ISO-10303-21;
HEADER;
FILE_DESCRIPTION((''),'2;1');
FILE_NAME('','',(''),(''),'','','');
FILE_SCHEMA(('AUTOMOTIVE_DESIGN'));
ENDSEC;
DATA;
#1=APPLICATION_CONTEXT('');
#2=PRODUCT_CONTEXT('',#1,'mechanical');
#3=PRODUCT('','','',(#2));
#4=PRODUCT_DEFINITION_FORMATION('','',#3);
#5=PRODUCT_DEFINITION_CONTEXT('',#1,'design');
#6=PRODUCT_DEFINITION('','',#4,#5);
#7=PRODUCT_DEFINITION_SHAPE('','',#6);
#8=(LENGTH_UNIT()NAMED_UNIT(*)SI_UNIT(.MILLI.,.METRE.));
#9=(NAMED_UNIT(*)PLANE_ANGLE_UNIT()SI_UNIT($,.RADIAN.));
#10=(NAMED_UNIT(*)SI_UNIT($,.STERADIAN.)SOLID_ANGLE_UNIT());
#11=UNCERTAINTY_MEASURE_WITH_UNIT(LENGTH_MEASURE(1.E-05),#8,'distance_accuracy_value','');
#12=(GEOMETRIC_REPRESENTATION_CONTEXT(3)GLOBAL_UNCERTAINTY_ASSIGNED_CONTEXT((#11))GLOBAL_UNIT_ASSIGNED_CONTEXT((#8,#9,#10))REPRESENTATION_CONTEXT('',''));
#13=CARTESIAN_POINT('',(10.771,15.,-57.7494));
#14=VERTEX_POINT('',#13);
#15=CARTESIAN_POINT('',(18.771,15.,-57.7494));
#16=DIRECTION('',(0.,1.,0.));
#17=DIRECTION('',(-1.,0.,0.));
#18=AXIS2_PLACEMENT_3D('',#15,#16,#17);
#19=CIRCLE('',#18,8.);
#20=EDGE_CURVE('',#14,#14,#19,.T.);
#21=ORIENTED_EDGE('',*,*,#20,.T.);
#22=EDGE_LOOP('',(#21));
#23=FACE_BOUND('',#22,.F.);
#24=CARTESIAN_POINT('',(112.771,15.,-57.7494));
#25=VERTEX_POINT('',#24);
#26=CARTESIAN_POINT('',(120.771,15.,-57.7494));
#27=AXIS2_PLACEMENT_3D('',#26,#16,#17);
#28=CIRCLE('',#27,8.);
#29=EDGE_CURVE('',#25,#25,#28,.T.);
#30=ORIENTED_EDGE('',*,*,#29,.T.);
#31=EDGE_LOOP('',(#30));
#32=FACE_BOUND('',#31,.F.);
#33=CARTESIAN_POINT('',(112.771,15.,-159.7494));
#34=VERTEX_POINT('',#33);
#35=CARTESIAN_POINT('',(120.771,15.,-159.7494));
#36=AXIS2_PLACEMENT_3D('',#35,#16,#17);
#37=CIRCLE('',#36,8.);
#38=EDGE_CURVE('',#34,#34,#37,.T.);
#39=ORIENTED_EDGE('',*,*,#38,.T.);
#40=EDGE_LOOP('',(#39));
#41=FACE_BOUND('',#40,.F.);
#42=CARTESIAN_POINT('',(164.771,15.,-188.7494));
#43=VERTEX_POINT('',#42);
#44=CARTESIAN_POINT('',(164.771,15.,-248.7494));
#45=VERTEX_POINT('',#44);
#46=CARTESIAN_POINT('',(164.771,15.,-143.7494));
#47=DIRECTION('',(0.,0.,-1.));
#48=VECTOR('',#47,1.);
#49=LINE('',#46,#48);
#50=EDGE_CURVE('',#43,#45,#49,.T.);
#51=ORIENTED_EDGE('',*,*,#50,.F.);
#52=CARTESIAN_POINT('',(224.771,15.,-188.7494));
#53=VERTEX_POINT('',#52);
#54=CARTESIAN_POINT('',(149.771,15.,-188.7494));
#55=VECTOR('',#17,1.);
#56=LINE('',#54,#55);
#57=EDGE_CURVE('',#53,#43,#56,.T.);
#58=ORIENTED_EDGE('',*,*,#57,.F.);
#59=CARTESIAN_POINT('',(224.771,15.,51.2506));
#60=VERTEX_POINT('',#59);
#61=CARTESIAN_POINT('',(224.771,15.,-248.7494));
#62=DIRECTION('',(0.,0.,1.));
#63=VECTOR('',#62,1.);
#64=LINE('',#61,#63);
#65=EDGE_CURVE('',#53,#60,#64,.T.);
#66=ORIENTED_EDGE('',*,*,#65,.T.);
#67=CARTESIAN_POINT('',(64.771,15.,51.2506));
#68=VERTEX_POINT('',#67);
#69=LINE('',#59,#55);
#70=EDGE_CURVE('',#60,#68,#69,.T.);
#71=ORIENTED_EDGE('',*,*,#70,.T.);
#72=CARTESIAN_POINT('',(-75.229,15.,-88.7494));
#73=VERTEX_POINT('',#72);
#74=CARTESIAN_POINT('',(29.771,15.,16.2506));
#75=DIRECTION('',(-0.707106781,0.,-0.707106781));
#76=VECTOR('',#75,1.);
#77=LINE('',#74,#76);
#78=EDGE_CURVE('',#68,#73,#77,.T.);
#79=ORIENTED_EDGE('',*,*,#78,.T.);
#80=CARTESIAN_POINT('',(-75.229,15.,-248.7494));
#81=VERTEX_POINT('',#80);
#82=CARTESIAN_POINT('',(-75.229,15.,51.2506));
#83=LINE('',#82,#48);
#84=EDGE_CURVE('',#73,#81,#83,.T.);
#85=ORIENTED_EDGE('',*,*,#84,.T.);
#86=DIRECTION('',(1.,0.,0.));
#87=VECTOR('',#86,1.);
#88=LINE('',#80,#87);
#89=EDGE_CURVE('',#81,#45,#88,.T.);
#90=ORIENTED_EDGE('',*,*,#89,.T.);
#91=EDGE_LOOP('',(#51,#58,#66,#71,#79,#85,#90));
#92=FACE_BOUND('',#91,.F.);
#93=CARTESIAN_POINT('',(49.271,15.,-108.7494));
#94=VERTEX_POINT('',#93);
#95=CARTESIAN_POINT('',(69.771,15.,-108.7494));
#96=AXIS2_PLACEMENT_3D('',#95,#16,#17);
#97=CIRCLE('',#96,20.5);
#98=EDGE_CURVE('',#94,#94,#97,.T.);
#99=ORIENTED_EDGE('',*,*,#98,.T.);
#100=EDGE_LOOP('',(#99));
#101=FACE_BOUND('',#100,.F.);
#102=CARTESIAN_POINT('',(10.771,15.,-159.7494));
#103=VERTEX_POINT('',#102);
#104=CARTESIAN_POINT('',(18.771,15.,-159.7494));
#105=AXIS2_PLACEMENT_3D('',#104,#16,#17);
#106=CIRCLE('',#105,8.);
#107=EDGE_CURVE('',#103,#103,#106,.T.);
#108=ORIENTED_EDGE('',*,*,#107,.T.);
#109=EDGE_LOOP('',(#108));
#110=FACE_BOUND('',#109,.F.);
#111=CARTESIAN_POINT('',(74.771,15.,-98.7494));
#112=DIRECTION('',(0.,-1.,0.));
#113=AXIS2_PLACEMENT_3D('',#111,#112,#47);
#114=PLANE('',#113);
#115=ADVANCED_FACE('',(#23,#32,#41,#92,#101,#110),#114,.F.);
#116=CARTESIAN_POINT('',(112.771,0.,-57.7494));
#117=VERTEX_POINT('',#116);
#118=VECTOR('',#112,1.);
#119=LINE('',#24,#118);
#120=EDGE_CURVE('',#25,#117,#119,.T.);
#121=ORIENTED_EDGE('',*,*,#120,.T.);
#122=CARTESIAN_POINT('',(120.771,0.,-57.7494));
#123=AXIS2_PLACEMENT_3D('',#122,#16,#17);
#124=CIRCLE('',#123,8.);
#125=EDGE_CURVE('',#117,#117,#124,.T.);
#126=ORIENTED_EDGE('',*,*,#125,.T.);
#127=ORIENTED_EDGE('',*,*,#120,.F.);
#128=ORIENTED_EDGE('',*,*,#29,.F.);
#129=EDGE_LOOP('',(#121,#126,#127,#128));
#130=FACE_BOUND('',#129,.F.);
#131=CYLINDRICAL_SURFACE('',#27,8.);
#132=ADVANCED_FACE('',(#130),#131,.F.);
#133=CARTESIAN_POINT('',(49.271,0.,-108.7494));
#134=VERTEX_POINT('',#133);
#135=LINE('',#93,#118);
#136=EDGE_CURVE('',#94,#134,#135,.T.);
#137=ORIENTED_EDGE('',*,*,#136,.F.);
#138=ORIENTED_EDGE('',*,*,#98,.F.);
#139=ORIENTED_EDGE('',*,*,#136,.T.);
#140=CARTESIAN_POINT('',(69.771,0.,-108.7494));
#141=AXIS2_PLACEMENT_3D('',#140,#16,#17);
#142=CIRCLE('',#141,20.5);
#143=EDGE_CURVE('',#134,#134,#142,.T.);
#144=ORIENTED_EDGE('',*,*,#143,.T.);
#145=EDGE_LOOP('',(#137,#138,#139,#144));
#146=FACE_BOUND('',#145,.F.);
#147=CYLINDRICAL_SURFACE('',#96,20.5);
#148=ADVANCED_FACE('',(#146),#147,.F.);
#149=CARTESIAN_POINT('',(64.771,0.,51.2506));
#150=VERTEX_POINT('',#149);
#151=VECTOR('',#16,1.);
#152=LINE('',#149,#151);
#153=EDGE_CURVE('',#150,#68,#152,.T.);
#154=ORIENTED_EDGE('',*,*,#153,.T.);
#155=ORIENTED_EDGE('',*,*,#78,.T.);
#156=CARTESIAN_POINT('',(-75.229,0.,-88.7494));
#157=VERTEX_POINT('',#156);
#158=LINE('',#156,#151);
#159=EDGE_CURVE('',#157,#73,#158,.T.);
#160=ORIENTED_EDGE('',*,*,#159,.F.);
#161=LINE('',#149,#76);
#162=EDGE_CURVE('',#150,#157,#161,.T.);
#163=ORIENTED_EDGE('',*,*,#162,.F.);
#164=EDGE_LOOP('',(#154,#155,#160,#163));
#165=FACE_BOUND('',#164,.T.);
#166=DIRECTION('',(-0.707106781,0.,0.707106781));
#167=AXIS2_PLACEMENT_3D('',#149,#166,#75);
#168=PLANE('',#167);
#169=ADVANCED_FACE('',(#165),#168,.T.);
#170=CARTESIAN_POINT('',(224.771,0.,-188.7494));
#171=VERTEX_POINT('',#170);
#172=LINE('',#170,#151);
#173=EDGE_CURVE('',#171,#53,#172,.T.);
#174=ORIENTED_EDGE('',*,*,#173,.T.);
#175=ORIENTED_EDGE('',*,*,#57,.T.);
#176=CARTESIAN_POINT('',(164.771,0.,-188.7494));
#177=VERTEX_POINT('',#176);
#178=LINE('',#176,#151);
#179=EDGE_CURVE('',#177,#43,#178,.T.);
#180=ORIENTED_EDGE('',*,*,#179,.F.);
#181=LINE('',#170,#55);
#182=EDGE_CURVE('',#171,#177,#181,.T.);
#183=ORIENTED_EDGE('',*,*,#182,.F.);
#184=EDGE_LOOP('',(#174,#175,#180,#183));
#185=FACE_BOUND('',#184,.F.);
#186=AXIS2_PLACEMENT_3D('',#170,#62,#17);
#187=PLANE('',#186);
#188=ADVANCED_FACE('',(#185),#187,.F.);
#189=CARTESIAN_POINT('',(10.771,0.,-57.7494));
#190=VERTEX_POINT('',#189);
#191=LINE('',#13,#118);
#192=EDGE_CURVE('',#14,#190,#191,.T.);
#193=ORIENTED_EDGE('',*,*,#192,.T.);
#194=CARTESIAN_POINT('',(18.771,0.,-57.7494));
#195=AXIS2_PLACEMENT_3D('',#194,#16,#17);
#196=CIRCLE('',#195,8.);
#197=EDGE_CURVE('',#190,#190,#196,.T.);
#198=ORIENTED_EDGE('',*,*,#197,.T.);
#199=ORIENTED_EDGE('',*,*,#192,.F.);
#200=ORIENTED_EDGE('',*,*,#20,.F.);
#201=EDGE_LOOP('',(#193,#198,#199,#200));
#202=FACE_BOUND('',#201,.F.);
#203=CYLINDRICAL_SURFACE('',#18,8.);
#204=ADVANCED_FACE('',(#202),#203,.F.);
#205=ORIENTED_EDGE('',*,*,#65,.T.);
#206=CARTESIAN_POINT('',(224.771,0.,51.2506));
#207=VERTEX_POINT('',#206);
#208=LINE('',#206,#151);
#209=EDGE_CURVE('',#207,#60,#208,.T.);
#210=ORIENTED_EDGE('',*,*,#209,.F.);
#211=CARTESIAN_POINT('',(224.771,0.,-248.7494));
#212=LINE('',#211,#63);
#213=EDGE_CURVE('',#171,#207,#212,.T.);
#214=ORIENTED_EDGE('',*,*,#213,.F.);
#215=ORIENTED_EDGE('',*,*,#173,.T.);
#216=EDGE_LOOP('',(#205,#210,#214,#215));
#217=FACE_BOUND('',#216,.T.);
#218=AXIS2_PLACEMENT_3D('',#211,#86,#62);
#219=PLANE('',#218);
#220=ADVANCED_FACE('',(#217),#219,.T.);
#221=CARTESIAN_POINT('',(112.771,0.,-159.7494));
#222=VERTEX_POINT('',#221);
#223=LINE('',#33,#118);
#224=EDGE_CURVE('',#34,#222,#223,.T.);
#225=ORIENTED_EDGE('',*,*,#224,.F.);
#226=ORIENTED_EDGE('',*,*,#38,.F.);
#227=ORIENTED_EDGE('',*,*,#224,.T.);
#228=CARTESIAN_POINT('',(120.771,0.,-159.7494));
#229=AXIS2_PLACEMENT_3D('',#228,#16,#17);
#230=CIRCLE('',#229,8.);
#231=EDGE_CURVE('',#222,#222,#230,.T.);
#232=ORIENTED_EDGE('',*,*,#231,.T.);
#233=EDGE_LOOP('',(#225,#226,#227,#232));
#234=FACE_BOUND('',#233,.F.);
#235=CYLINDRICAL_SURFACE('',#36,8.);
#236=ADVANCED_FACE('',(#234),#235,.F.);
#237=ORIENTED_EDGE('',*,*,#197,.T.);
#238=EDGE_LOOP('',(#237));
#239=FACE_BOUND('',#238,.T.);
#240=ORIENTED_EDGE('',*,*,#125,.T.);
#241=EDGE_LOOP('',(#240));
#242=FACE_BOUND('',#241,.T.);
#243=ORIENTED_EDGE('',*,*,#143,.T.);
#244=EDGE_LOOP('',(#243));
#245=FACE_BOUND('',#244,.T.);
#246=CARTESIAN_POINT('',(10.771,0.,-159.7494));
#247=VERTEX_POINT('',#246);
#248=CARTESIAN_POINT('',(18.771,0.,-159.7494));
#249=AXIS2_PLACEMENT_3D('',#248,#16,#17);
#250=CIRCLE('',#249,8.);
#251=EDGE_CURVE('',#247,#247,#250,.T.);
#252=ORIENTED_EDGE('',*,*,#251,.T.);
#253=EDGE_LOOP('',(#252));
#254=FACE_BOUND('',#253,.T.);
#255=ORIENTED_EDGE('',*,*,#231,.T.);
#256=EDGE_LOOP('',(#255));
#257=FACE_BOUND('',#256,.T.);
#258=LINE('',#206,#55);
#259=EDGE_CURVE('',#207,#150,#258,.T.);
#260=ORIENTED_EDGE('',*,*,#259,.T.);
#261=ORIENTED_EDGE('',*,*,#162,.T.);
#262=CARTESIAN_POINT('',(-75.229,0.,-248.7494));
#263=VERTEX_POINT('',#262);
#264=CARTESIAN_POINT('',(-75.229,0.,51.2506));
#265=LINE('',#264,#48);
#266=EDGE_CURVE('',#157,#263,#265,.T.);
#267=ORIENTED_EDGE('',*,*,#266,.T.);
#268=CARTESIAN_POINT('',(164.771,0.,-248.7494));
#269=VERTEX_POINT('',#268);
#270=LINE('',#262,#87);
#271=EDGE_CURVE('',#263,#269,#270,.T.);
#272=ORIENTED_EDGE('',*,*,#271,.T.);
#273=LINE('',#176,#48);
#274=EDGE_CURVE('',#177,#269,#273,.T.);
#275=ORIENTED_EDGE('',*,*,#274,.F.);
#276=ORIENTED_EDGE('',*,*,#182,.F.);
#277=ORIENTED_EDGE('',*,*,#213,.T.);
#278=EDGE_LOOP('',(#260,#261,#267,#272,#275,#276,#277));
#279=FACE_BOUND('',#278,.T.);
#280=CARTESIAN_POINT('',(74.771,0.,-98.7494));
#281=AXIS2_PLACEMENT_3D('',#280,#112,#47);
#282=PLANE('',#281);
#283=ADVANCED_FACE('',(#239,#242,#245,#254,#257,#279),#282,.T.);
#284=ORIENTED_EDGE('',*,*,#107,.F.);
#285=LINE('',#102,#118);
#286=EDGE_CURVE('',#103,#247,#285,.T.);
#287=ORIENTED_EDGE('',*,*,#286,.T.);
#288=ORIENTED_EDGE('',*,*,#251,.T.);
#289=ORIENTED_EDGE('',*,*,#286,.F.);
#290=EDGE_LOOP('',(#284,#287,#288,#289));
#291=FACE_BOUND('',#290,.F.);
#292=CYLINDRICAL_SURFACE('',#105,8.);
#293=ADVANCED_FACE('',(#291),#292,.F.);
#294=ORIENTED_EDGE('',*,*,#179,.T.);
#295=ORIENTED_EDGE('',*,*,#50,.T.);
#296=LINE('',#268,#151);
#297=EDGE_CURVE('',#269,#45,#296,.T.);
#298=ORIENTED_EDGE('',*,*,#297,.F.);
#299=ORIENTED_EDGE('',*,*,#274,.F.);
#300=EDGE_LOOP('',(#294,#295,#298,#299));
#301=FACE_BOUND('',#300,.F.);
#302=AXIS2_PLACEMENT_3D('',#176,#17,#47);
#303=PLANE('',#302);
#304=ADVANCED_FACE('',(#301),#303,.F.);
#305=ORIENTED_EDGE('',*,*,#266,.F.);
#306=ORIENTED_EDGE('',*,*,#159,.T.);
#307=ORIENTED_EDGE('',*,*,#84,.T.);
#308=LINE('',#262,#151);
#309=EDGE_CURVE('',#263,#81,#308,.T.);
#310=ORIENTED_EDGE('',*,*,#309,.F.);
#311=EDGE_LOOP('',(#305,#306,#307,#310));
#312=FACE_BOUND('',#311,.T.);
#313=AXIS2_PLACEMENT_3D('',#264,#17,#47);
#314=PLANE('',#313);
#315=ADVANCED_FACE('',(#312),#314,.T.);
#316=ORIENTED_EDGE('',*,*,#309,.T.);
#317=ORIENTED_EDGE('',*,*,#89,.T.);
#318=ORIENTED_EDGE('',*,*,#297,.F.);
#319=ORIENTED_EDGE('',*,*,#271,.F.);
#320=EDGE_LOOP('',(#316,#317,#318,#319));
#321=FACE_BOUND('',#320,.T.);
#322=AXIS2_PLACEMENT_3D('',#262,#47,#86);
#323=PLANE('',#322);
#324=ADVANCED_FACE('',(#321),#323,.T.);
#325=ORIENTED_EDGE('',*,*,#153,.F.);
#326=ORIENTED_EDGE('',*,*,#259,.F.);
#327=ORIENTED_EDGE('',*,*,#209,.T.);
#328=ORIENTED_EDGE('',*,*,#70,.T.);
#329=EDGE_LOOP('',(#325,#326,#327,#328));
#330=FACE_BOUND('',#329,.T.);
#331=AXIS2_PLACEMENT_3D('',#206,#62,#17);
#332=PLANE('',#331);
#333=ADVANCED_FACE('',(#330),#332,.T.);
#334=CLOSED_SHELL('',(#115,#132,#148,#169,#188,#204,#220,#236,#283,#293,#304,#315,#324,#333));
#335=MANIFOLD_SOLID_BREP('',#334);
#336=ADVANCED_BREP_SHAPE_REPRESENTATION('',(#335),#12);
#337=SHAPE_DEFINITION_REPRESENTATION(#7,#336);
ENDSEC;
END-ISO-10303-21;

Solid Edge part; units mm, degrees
sketch "Sketch1" plane through (0, 0, 0) normal (0, -1, 0) x (1, 0, 0)
  line L0 (-75.229, -248.7494) -> (224.771, -248.7494)
  line L1 (224.771, -248.7494) -> (224.771, 51.2506)
  line L2 (224.771, 51.2506) -> (-75.229, 51.2506)
  line L3 (-75.229, 51.2506) -> (-75.229, -248.7494)
  dimension "D1" = 300
  dimension "D2" = 300
extrude "Protrusion1" add sketch "Sketch1" against normal blind 15
sketch "Sketch2" plane through (-15.229, 15, 1.2506) normal (0, 1, 0) x (-1, 0, 0)
  circle A0 centre (-34, -161) radius 8
  circle A1 centre (-34, -59) radius 8
  circle A2 centre (-136, -161) radius 8
  circle A3 centre (-85, -110) radius 20.5
  circle A4 centre (-136, -59) radius 8
  dimension "D1" = 16
  dimension "D2" = 16
  dimension "D3" = 16
  dimension "D4" = 16
  dimension "D5" = 102
  dimension "D6" = 102
  dimension "D7" = 41
  dimension "D8" = 51
  dimension "D9" = 51
  dimension "D10" = 5
  dimension "D11" = 10
extrude "Cutout1" cut sketch "Sketch2" against normal through all
sketch "Sketch3" plane through (49.771, 0, -73.7494) normal (0, -1, 0) x (-1, 0, 0)
  line L0 (-15, -125) -> (125, 15)
  line L1 (125, 15) -> (125, -125)
  line L2 (125, -125) -> (-15, -125)
  line L3 (-175, 115) -> (-115, 115)
  line L4 (-115, 115) -> (-115, 175)
  line L5 (-115, 175) -> (-175, 175)
  line L6 (-175, 175) -> (-175, 115)
  dimension "D1" = 60
  dimension "D2" = 60
  dimension "D3" = 140
extrude "Cutout2" cut sketch "Sketch3" against normal through all
properties material "Aluminum, 6061-T6"
